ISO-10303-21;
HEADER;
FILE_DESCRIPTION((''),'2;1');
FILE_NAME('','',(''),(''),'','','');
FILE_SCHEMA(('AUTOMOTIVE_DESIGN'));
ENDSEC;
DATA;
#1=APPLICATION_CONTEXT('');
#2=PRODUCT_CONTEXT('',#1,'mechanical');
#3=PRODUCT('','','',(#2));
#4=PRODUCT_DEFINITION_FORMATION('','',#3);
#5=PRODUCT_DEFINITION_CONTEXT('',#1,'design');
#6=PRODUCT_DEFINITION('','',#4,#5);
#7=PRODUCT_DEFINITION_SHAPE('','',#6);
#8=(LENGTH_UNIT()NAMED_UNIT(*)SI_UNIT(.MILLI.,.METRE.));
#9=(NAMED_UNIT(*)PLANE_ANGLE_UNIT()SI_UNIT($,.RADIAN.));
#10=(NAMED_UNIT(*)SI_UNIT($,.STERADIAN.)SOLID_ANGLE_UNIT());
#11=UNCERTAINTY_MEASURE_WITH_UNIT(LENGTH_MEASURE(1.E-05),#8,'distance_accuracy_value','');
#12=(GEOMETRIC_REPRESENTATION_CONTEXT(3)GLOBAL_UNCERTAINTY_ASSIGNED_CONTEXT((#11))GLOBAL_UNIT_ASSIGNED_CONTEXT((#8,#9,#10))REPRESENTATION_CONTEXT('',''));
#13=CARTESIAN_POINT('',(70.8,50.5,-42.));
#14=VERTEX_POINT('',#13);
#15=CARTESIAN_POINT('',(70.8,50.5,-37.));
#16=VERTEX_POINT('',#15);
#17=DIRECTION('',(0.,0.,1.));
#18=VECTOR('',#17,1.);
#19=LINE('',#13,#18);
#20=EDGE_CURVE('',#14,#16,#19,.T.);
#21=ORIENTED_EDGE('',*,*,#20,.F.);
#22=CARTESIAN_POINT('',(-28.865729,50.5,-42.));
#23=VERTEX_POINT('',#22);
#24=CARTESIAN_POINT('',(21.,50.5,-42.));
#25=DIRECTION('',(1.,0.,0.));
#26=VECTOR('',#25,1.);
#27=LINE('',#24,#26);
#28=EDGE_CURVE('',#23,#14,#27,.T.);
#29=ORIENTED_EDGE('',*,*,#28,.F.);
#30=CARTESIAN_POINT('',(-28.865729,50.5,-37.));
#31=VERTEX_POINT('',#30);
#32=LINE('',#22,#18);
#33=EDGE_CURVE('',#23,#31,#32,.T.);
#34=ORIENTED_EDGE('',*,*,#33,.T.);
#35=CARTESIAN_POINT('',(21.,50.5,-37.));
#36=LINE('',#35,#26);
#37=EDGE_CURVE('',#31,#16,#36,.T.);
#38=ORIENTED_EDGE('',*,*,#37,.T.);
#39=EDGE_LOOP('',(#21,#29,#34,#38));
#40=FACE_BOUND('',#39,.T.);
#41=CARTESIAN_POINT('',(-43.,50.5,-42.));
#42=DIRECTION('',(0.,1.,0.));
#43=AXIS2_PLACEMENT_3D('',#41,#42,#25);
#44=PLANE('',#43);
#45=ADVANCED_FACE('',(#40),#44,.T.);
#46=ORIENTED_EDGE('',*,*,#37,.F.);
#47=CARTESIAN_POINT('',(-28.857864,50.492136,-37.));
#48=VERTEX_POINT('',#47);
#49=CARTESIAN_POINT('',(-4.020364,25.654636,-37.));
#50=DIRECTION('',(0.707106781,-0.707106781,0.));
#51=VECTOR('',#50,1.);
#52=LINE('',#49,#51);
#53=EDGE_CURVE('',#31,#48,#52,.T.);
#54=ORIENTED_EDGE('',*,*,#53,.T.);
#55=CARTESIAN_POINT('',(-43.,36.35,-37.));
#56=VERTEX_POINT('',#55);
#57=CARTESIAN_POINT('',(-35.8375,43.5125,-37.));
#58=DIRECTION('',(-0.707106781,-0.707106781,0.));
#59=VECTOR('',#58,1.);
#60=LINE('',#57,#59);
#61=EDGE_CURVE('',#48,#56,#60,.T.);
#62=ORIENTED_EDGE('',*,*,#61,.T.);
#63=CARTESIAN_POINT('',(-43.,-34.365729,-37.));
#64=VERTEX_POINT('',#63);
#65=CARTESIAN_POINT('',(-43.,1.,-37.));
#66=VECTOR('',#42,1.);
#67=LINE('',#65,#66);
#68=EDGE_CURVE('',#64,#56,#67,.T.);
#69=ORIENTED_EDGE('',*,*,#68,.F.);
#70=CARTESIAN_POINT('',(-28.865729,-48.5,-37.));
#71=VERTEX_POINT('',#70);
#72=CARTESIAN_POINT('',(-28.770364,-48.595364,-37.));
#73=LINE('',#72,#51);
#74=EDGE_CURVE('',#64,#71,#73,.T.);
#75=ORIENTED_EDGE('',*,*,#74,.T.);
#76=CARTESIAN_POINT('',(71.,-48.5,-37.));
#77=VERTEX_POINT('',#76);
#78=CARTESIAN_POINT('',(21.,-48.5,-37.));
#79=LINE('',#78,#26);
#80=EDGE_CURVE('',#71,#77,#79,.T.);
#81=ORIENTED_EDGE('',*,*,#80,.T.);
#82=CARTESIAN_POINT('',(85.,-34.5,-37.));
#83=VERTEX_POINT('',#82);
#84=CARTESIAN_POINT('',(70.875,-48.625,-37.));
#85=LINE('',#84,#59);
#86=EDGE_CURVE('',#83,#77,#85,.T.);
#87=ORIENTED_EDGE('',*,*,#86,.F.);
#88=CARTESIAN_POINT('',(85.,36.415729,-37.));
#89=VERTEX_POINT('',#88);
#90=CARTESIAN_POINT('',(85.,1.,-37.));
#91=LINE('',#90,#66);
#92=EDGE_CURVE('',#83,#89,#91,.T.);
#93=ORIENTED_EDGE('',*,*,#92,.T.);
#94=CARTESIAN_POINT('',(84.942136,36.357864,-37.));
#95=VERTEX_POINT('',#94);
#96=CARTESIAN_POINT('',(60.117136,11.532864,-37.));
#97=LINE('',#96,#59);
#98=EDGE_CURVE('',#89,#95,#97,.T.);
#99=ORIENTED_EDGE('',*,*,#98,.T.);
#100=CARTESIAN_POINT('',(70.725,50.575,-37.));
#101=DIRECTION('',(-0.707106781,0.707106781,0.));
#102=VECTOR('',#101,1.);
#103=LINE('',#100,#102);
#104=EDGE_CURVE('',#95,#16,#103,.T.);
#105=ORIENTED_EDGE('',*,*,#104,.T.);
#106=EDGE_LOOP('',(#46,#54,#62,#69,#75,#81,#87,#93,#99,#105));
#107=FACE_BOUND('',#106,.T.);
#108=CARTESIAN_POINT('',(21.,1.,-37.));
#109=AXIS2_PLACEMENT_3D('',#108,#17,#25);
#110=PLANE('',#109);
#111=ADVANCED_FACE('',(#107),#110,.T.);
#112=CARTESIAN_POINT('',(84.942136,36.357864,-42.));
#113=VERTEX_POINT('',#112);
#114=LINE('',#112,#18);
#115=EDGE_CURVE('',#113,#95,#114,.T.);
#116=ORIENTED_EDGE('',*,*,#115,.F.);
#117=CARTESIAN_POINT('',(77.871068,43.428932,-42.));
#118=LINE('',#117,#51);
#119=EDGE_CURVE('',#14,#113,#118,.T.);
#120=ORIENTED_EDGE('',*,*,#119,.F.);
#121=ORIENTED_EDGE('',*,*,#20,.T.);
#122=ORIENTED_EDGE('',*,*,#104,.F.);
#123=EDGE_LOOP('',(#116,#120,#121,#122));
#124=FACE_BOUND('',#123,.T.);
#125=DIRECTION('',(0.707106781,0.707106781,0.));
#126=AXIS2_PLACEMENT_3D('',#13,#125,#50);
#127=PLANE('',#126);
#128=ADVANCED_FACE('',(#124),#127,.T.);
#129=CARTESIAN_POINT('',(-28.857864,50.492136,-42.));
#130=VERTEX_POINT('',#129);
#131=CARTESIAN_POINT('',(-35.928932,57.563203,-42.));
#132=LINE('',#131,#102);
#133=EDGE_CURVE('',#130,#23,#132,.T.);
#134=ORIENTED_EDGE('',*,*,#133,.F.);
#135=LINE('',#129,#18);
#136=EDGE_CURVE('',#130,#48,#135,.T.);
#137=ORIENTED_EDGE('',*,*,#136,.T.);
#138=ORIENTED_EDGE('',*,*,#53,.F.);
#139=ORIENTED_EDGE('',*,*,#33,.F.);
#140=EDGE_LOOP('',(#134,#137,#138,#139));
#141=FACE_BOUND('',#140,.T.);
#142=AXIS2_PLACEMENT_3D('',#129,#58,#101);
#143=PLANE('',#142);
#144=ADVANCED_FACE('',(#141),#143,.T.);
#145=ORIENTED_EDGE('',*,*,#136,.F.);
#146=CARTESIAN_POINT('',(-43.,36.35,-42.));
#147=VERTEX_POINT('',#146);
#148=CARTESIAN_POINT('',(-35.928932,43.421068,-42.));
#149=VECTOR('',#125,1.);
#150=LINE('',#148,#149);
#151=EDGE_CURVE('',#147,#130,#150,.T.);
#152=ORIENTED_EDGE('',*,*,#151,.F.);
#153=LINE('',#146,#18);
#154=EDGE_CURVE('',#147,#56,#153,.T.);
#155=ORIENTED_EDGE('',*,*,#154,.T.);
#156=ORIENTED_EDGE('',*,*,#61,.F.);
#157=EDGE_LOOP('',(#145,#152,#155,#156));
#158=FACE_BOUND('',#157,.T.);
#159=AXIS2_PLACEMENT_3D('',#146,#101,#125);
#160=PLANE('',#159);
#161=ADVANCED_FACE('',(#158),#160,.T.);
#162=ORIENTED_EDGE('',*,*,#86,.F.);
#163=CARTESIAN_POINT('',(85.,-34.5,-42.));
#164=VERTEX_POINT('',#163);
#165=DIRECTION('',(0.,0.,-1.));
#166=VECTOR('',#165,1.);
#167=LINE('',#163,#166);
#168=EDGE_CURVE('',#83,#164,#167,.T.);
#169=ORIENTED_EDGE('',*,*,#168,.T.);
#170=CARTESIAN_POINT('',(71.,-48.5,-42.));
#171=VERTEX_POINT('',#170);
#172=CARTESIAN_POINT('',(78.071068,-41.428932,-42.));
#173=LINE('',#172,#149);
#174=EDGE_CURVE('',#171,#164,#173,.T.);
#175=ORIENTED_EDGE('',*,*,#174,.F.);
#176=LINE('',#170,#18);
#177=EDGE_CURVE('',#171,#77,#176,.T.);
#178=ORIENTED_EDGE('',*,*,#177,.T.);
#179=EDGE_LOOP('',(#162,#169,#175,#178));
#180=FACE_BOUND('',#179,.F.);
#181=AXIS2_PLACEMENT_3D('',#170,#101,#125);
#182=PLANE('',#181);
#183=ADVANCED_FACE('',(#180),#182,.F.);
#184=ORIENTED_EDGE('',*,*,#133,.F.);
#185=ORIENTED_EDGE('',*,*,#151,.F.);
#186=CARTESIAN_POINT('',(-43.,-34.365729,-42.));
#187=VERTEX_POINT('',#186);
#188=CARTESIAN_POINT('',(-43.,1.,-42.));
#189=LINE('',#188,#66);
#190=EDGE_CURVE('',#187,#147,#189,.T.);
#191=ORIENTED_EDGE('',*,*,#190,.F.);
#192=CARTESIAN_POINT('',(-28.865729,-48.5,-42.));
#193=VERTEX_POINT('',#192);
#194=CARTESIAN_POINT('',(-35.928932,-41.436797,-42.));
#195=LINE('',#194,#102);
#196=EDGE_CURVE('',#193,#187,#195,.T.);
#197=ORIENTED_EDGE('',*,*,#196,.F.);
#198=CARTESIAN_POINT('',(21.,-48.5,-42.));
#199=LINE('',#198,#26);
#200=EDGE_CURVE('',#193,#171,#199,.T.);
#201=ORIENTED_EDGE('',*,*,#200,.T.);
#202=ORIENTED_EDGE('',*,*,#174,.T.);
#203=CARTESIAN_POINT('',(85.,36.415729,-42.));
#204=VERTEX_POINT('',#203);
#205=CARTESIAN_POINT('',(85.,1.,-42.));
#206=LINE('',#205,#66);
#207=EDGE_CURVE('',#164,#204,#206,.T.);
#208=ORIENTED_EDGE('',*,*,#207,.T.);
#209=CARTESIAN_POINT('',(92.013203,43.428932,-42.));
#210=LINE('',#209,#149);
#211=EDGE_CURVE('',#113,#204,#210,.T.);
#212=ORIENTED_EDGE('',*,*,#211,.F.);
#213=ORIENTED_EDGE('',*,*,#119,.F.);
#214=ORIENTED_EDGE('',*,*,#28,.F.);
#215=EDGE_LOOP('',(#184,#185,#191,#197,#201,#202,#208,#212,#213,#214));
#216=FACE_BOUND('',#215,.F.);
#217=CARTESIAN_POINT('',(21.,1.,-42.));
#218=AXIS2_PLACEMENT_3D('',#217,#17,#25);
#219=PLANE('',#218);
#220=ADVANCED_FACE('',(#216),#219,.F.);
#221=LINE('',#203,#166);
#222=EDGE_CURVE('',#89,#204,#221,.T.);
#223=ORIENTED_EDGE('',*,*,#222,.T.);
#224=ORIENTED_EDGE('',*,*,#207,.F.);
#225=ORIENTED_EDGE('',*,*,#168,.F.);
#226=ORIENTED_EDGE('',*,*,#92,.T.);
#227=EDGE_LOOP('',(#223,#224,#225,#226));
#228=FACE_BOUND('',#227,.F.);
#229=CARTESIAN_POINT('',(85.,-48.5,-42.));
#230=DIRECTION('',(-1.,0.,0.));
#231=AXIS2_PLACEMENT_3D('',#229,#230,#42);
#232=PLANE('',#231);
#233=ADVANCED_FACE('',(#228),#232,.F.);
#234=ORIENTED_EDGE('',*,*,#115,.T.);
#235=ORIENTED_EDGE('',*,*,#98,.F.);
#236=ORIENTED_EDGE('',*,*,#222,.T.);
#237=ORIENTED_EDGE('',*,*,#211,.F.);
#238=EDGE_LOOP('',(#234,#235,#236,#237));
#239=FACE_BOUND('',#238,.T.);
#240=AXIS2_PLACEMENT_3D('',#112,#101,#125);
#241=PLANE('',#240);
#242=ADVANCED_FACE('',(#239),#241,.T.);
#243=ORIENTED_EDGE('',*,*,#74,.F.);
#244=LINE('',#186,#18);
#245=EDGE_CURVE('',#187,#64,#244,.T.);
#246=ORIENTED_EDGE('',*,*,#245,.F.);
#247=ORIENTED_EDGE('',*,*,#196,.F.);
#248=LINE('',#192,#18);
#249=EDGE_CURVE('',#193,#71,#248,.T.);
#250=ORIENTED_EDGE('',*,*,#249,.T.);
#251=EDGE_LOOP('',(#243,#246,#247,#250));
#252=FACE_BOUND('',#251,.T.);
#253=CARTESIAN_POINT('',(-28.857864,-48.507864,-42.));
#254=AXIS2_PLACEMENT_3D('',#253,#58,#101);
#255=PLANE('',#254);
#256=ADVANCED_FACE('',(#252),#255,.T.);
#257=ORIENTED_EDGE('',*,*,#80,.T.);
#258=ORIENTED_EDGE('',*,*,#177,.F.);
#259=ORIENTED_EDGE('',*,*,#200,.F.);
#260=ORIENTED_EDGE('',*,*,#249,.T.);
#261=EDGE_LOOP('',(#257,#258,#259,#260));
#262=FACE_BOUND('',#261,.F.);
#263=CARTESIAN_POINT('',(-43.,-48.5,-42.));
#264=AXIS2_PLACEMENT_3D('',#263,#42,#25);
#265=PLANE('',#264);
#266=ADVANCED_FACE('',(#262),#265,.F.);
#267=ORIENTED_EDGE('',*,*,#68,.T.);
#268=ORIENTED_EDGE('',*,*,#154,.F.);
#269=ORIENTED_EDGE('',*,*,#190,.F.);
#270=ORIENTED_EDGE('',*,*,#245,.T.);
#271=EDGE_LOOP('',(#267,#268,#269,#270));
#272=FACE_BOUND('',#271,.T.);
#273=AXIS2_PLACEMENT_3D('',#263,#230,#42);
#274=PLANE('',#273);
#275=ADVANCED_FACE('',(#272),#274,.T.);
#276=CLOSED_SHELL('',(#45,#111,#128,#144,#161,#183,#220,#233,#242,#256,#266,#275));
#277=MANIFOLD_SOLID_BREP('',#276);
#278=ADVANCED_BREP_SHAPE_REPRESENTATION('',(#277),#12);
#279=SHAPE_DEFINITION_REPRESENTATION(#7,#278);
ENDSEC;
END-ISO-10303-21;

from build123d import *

# Parameters (mm, degrees)
BOX055_W               = 20
BOX055_H               = 20
BOX055_DEPTH           = 20
BOX055_PLACEMENT_ANGLE = 45
BOX056_W               = 20
BOX056_H               = 20
BOX056_DEPTH           = 20
BOX056_PLACEMENT_ANGLE = 45
BOX053_W               = 20
BOX053_H               = 20
BOX053_DEPTH           = 20
BOX053_PLACEMENT_ANGLE = -45
BOX054_W               = 20
BOX054_H               = 20
BOX054_DEPTH           = 20
BOX054_PLACEMENT_ANGLE = -45
BOX052_W               = 128
BOX052_H               = 99
BOX052_DEPTH           = 5


with BuildPart() as cubo041:
    # Box055 → Box055 (new body)
    with BuildSketch(Plane.XY):
        with Locations((10, 10)):
            Rectangle(BOX055_W, BOX055_H)
    extrude(amount=BOX055_DEPTH)


with BuildPart() as cubo041_1:
    # Box055 placement: moved
    add(cubo041.part.moved(Location((-14, -28.65, 0))).rotate(Axis((-14, -28.65, 0), (0, 0, 1)), BOX055_PLACEMENT_ANGLE))


with BuildPart() as cubo042:
    # Box056 → Box056 (new body)
    with BuildSketch(Plane.XY):
        with Locations((10, 10)):
            Rectangle(BOX056_W, BOX056_H)
    extrude(amount=BOX056_DEPTH)


with BuildPart() as cubo042_1:
    # Box056 placement: moved
    add(cubo042.part.moved(Location((-14, 70.35, 0))).rotate(Axis((-14, 70.35, 0), (0, 0, 1)), BOX056_PLACEMENT_ANGLE))


with BuildPart() as cubo039:
    # Box053 → Box053 (new body)
    with BuildSketch(Plane.XY):
        with Locations((10, 10)):
            Rectangle(BOX053_W, BOX053_H)
    extrude(amount=BOX053_DEPTH)


with BuildPart() as cubo039_1:
    # Box053 placement: moved
    add(cubo039.part.moved(Location((100, -14.5, 0))).rotate(Axis((100, -14.5, 0), (0, 0, 1)), BOX053_PLACEMENT_ANGLE))


with BuildPart() as fusion027:
    # Box054 → Box054 (new body)
    with BuildSketch(Plane.XY):
        with Locations((10, 10)):
            Rectangle(BOX054_W, BOX054_H)
    extrude(amount=BOX054_DEPTH)


with BuildPart() as fusion027_1:
    # Box054 placement: moved
    add(fusion027.part.moved(Location((99.8, 84.5, 0))).rotate(Axis((99.8, 84.5, 0), (0, 0, 1)), BOX054_PLACEMENT_ANGLE))

    # Fusion027: union Cubo041, Cubo042, Cubo039
    add(cubo041_1.part)
    add(cubo042_1.part)
    add(cubo039_1.part)


with BuildPart() as base_fresada:
    # Box052 → Box052 (new body)
    with BuildSketch(Plane(origin=(-14, -14.5, 0), x_dir=(1, 0, 0), z_dir=(0, 0, 1))):
        with Locations((64, 49.5)):
            Rectangle(BOX052_W, BOX052_H)
    extrude(amount=BOX052_DEPTH)

    # Cut037: cut Fusion027
    add(fusion027_1.part, mode=Mode.SUBTRACT)


with BuildPart() as base_fresada_1:
    # Cut037 placement: moved
    add(base_fresada.part.moved(Location((-29, -34, -42))))


solid = base_fresada_1.part
